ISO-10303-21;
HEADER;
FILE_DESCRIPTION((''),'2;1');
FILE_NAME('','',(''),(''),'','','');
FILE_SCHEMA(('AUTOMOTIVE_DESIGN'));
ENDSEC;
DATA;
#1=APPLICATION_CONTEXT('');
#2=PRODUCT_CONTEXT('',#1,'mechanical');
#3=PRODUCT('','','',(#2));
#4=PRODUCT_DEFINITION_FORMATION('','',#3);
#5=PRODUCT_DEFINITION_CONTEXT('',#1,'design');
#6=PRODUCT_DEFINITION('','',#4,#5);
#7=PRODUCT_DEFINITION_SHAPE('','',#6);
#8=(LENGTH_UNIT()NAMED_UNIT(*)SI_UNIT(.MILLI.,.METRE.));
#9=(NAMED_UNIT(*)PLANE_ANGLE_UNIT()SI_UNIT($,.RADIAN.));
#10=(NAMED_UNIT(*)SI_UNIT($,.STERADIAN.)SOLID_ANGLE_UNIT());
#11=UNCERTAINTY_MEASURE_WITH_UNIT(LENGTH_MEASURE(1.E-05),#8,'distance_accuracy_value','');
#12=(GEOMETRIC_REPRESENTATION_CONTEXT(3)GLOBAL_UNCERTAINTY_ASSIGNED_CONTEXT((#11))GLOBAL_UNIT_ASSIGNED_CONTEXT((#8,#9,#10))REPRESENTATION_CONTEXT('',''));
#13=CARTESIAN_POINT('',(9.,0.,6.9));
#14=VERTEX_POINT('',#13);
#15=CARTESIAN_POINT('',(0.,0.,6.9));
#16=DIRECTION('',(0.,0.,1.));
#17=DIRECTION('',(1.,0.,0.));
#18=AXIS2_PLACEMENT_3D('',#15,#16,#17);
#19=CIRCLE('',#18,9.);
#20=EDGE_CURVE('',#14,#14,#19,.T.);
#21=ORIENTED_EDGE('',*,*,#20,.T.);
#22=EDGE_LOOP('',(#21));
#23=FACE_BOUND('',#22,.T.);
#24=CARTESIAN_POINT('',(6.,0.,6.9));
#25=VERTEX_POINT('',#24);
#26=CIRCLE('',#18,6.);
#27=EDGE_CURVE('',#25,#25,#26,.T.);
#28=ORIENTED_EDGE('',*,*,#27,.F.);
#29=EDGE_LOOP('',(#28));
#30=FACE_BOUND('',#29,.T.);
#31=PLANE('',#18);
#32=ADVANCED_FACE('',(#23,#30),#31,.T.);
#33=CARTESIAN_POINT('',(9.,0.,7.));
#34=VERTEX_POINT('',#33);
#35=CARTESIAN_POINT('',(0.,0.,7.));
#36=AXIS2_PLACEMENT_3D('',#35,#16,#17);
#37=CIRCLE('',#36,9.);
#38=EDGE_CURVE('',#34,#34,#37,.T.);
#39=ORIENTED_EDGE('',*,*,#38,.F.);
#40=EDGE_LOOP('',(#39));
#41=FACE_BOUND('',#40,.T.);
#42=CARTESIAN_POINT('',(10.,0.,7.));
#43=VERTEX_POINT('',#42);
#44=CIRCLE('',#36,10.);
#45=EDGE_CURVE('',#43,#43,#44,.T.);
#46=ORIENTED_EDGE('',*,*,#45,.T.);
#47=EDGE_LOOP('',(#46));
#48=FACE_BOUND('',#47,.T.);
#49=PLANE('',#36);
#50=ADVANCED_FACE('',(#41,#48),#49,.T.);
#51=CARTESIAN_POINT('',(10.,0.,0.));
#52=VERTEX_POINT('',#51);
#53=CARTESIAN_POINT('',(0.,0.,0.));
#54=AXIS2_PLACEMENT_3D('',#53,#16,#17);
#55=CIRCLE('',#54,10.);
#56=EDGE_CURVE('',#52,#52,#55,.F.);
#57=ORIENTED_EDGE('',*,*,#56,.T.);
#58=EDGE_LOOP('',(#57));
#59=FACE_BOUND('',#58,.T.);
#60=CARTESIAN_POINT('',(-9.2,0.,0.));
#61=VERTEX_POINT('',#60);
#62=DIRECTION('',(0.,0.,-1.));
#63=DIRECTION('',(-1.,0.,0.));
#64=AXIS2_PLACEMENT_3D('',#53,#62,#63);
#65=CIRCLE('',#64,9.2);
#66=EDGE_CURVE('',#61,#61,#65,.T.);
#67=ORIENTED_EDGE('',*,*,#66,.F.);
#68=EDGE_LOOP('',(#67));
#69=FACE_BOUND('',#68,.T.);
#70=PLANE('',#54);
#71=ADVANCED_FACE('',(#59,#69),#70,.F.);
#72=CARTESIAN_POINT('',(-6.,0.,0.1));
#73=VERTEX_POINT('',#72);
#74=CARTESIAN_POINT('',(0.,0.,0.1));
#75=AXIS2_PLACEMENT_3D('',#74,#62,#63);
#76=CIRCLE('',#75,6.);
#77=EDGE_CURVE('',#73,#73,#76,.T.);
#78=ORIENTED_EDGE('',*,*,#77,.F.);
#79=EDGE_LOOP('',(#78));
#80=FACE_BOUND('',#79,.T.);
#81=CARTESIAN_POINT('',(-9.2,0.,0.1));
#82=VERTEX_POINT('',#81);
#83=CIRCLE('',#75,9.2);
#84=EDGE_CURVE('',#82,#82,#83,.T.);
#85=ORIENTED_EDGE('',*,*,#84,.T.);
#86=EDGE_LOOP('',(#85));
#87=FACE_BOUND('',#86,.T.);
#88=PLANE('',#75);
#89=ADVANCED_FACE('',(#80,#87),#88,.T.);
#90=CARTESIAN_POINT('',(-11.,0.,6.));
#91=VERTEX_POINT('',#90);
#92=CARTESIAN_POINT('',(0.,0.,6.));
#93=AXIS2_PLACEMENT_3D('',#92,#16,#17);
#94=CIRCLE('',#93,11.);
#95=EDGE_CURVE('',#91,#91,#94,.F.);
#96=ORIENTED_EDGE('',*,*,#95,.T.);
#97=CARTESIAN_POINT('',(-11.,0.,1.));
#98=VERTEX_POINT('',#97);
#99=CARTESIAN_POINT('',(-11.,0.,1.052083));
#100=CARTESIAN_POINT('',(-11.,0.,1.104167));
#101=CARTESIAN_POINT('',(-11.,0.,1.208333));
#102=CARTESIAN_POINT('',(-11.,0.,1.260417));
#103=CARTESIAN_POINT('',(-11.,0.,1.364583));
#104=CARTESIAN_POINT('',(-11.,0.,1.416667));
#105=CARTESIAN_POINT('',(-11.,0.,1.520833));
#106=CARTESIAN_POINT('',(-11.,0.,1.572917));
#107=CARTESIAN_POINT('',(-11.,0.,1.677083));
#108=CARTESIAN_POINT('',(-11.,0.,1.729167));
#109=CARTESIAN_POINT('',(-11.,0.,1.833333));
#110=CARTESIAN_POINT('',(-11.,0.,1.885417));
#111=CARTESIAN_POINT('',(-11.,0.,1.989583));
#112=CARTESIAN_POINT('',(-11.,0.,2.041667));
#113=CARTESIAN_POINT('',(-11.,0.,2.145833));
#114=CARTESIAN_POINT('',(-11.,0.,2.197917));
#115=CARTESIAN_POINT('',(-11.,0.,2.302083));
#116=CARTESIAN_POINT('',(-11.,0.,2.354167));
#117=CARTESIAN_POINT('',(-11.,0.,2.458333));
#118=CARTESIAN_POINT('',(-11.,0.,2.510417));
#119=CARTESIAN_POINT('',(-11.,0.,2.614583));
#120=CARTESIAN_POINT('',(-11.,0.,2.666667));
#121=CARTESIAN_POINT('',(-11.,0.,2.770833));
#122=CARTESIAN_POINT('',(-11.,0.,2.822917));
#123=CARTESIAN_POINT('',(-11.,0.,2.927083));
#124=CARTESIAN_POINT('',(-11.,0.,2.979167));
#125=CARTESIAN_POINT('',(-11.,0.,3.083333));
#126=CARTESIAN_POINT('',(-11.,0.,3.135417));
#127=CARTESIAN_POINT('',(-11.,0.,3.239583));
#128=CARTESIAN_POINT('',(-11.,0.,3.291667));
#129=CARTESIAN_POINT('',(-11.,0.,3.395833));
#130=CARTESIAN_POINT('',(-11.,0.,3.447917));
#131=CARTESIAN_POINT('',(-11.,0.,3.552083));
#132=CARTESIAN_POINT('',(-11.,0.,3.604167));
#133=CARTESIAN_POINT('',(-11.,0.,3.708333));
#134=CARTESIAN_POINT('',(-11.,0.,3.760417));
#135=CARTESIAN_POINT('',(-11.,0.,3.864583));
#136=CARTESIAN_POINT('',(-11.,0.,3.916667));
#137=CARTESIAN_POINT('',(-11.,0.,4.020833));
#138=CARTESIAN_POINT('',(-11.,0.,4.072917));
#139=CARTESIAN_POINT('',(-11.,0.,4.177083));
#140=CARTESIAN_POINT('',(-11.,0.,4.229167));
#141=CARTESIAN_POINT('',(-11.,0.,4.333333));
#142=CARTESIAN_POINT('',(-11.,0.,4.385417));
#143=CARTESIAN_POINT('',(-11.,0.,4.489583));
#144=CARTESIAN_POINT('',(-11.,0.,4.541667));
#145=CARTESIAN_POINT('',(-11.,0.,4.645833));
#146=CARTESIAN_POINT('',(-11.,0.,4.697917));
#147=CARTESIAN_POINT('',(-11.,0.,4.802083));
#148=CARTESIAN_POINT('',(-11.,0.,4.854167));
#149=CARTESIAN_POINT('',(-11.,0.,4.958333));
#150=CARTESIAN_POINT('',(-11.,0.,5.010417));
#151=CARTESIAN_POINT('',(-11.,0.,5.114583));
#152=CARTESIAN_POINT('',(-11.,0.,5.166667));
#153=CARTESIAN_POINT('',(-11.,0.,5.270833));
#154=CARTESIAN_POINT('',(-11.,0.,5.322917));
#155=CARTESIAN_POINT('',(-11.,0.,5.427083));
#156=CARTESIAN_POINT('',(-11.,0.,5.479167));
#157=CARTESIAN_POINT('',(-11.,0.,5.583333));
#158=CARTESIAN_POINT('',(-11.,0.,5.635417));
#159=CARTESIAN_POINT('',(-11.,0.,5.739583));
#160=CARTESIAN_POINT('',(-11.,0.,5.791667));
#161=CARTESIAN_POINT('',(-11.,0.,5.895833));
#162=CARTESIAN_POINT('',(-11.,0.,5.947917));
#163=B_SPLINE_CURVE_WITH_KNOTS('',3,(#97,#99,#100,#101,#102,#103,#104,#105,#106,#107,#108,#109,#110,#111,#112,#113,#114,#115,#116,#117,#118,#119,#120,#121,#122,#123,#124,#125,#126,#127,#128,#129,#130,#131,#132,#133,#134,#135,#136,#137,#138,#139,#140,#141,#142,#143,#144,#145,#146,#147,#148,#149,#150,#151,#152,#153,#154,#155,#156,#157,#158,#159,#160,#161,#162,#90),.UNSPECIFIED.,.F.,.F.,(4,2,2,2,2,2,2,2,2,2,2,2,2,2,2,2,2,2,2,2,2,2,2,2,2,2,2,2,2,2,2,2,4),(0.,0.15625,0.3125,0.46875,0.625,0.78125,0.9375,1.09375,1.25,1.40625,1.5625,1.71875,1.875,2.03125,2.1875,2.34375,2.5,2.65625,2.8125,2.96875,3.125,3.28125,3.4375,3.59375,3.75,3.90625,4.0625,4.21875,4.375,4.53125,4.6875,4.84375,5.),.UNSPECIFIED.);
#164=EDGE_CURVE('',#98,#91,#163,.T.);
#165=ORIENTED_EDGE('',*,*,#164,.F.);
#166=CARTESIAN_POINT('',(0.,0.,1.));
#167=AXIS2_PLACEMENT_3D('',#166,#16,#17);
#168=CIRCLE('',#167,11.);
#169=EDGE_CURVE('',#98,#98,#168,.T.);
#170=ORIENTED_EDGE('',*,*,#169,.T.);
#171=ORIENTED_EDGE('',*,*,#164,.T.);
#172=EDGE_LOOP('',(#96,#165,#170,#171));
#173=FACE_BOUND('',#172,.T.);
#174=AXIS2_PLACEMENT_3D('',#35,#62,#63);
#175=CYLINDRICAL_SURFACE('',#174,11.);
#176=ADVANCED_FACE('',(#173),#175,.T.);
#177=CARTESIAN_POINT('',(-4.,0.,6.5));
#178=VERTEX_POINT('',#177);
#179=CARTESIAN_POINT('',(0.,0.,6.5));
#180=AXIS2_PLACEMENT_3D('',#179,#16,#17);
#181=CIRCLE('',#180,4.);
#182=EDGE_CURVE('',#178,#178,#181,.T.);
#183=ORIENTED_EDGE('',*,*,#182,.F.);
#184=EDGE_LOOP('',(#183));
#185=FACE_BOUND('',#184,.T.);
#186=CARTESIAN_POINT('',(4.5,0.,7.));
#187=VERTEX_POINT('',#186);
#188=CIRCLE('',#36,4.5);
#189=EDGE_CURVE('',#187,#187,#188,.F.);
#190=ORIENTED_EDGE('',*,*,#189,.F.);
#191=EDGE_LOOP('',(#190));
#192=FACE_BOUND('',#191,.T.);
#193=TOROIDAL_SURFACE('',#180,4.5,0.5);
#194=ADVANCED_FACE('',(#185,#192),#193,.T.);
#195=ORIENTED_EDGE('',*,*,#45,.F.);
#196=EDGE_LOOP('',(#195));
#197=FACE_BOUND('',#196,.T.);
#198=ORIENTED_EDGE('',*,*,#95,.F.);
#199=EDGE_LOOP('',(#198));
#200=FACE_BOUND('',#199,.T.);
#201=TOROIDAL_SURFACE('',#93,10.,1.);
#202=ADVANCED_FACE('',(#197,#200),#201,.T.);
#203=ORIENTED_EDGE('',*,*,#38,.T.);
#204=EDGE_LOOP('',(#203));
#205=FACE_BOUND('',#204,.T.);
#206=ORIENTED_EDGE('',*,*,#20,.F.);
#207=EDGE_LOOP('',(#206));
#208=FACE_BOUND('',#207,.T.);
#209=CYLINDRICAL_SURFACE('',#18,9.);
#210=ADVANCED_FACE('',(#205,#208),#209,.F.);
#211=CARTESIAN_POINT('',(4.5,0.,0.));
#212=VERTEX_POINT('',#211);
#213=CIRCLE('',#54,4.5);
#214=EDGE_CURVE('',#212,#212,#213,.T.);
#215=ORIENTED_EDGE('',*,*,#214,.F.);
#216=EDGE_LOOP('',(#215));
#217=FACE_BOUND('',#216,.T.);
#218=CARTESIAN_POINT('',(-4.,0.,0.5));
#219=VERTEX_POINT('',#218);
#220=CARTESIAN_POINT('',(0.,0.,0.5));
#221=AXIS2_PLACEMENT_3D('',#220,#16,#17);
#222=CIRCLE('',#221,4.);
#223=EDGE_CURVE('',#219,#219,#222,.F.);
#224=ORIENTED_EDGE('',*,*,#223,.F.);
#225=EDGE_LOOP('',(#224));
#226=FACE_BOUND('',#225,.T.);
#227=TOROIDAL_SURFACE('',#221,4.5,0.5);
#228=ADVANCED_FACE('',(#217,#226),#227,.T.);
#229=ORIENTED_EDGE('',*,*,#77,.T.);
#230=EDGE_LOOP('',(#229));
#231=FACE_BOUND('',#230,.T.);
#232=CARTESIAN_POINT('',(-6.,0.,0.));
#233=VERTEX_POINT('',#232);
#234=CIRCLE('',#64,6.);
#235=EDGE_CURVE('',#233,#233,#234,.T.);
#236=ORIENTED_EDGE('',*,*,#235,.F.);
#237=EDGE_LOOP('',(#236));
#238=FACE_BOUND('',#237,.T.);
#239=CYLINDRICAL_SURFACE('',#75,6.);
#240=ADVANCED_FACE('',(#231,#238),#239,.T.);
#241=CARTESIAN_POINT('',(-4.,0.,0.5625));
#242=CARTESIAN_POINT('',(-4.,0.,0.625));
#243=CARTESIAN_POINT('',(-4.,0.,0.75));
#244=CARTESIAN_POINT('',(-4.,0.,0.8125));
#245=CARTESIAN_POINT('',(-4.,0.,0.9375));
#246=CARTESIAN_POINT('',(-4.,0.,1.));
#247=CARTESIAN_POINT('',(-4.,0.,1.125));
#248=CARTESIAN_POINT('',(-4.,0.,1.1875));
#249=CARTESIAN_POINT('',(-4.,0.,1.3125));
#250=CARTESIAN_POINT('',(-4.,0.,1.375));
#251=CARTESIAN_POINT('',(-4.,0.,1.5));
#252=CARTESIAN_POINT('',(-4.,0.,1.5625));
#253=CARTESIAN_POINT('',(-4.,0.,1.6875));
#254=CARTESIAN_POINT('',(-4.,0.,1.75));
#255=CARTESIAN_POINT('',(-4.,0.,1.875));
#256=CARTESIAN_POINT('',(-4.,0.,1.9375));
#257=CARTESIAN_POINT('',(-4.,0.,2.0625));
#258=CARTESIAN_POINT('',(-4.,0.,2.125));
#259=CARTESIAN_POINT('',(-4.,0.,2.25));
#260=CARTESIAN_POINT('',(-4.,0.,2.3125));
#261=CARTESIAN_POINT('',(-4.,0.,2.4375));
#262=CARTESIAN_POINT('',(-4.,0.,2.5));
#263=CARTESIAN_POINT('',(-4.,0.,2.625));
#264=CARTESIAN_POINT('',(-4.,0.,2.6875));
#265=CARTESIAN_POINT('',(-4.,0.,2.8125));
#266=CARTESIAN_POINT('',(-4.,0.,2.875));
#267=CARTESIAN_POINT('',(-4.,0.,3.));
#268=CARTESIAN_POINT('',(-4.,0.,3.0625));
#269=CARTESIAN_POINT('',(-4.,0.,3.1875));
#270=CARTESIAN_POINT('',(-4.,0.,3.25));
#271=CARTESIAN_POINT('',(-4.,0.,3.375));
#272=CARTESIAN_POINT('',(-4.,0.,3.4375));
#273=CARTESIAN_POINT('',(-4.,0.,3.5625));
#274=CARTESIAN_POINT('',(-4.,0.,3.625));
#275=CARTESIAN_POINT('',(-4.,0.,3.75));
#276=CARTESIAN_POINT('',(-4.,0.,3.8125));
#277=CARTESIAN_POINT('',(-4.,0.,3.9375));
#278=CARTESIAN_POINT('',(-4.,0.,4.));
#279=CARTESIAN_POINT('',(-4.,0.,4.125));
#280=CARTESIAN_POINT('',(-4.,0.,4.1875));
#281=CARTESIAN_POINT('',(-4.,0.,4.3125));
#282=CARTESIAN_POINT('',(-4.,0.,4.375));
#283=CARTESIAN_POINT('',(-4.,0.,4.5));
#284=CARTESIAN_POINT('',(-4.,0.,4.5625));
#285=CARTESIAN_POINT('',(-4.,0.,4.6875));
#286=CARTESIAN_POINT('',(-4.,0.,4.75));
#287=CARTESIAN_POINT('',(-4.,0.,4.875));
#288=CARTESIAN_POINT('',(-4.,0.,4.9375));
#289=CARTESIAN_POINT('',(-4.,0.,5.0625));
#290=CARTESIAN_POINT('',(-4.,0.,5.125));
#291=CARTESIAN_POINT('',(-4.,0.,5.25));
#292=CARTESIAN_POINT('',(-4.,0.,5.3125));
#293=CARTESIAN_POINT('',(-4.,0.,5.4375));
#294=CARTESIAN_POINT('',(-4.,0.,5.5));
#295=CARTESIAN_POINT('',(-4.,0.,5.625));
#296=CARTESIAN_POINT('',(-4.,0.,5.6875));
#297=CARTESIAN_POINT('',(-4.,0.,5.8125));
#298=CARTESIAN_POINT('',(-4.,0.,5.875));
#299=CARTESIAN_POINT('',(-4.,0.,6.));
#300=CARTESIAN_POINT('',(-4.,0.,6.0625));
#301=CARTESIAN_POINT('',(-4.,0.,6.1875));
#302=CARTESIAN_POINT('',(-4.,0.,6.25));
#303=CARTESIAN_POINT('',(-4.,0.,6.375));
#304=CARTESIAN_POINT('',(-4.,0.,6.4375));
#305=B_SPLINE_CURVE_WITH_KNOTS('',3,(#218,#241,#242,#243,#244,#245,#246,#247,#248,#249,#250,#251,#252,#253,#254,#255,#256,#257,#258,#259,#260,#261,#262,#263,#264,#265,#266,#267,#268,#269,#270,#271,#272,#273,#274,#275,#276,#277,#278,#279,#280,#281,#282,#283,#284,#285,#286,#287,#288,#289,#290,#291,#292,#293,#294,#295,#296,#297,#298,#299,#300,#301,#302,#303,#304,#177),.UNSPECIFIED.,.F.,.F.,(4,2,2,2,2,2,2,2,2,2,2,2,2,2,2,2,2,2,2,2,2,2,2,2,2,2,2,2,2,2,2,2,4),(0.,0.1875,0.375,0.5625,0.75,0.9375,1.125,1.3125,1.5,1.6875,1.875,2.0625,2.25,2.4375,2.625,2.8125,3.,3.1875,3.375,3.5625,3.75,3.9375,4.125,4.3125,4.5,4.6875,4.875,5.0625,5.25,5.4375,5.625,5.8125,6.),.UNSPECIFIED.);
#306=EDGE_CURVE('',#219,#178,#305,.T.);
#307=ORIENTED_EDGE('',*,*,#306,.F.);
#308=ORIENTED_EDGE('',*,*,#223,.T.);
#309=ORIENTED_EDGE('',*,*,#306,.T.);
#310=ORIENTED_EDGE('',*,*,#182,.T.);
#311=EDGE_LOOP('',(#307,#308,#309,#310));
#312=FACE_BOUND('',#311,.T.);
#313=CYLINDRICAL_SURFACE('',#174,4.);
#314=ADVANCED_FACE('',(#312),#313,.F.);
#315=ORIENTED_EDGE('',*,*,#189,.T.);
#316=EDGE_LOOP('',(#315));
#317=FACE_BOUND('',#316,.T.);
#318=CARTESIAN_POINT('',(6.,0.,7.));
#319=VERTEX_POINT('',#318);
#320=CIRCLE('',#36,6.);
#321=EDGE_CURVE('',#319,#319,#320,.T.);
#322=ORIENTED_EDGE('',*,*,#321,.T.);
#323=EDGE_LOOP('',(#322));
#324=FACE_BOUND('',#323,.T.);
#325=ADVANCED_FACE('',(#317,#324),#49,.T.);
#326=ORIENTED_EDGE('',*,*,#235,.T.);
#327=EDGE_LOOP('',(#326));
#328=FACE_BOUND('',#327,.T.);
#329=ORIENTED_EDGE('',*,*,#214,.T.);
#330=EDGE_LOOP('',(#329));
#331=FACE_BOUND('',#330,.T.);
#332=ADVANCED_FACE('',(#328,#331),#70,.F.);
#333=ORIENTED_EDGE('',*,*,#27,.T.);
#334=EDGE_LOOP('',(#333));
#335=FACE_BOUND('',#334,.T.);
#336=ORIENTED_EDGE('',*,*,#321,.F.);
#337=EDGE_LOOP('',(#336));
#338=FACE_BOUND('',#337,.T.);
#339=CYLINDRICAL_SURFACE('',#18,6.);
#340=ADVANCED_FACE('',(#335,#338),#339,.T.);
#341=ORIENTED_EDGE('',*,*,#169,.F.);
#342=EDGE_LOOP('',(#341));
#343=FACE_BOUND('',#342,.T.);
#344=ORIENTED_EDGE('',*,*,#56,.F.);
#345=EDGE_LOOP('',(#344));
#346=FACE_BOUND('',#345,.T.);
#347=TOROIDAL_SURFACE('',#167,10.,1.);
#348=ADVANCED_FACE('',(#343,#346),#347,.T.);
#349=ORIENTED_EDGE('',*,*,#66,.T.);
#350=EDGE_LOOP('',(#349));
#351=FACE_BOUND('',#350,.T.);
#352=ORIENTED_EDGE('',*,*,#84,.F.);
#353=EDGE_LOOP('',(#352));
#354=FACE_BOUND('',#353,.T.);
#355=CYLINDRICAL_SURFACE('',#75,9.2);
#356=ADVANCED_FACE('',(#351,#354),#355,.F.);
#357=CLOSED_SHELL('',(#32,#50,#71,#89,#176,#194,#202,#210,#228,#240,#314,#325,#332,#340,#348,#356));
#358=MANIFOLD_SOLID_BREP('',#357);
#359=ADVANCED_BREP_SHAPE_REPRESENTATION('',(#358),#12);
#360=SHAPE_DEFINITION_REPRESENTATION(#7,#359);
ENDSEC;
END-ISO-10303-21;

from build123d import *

# Parameters (mm, degrees)
SKETCH1_R           = 11
SKETCH1_R_2         = 4
BOSS_EXTRUDE1_DEPTH = 7
FILLET1_R           = 1
FILLET2_R           = 1
FILLET3_R           = 0.5
FILLET4_R           = 0.5
SKETCH2_R           = 9
SKETCH2_R_2         = 6
CUT_EXTRUDE1_DEPTH  = 0.1
CUT_EXTRUDE2_START  = -0.1
SKETCH3_R           = 9.2
SKETCH3_R_2         = 6
CUT_EXTRUDE2_DEPTH  = 0.1


with BuildPart() as part:
    # Sketch1 → Boss-Extrude1 (new body)
    with BuildSketch(Plane.XY):
        with Locations(Location((0, 0, 0), (0, 0, 180))):
            Circle(SKETCH1_R)
        with Locations(Location((0, 0, 0), (0, 0, 180))):
            Circle(SKETCH1_R_2, mode=Mode.SUBTRACT)
    extrude(amount=BOSS_EXTRUDE1_DEPTH)

    # Fillet1
    fillet1_edges = [part.edges().sort_by_distance(p)[0] for p in [
        (11, 0, 7),
    ]]
    fillet(fillet1_edges, radius=FILLET1_R)

    # Fillet2
    fillet2_edges = [part.edges().sort_by_distance(p)[0] for p in [
        (11, 0, 0),
    ]]
    fillet(fillet2_edges, radius=FILLET2_R)

    # Fillet3
    fillet3_edges = [part.edges().sort_by_distance(p)[0] for p in [
        (4, 0, 7),
    ]]
    fillet(fillet3_edges, radius=FILLET3_R)

    # Fillet4
    fillet4_edges = [part.edges().sort_by_distance(p)[0] for p in [
        (4, 0, 0),
    ]]
    fillet(fillet4_edges, radius=FILLET4_R)

    # Sketch2 → Cut-Extrude1 (cut)
    with BuildSketch(Plane.XY.offset(7)):
        Circle(SKETCH2_R)
        Circle(SKETCH2_R_2, mode=Mode.SUBTRACT)
    extrude(amount=-CUT_EXTRUDE1_DEPTH, mode=Mode.SUBTRACT)

    # Sketch3 → Cut-Extrude2 (cut)
    with BuildSketch(Plane(origin=(0, 0, 0), x_dir=(-1, 0, 0), z_dir=(0, 0, -1)).offset(CUT_EXTRUDE2_START)):
        Circle(SKETCH3_R)
        with Locations(Location((0, 0, 0), (0, 0, 180))):
            Circle(SKETCH3_R_2, mode=Mode.SUBTRACT)
    extrude(amount=CUT_EXTRUDE2_DEPTH, mode=Mode.SUBTRACT)


solid = part.part
